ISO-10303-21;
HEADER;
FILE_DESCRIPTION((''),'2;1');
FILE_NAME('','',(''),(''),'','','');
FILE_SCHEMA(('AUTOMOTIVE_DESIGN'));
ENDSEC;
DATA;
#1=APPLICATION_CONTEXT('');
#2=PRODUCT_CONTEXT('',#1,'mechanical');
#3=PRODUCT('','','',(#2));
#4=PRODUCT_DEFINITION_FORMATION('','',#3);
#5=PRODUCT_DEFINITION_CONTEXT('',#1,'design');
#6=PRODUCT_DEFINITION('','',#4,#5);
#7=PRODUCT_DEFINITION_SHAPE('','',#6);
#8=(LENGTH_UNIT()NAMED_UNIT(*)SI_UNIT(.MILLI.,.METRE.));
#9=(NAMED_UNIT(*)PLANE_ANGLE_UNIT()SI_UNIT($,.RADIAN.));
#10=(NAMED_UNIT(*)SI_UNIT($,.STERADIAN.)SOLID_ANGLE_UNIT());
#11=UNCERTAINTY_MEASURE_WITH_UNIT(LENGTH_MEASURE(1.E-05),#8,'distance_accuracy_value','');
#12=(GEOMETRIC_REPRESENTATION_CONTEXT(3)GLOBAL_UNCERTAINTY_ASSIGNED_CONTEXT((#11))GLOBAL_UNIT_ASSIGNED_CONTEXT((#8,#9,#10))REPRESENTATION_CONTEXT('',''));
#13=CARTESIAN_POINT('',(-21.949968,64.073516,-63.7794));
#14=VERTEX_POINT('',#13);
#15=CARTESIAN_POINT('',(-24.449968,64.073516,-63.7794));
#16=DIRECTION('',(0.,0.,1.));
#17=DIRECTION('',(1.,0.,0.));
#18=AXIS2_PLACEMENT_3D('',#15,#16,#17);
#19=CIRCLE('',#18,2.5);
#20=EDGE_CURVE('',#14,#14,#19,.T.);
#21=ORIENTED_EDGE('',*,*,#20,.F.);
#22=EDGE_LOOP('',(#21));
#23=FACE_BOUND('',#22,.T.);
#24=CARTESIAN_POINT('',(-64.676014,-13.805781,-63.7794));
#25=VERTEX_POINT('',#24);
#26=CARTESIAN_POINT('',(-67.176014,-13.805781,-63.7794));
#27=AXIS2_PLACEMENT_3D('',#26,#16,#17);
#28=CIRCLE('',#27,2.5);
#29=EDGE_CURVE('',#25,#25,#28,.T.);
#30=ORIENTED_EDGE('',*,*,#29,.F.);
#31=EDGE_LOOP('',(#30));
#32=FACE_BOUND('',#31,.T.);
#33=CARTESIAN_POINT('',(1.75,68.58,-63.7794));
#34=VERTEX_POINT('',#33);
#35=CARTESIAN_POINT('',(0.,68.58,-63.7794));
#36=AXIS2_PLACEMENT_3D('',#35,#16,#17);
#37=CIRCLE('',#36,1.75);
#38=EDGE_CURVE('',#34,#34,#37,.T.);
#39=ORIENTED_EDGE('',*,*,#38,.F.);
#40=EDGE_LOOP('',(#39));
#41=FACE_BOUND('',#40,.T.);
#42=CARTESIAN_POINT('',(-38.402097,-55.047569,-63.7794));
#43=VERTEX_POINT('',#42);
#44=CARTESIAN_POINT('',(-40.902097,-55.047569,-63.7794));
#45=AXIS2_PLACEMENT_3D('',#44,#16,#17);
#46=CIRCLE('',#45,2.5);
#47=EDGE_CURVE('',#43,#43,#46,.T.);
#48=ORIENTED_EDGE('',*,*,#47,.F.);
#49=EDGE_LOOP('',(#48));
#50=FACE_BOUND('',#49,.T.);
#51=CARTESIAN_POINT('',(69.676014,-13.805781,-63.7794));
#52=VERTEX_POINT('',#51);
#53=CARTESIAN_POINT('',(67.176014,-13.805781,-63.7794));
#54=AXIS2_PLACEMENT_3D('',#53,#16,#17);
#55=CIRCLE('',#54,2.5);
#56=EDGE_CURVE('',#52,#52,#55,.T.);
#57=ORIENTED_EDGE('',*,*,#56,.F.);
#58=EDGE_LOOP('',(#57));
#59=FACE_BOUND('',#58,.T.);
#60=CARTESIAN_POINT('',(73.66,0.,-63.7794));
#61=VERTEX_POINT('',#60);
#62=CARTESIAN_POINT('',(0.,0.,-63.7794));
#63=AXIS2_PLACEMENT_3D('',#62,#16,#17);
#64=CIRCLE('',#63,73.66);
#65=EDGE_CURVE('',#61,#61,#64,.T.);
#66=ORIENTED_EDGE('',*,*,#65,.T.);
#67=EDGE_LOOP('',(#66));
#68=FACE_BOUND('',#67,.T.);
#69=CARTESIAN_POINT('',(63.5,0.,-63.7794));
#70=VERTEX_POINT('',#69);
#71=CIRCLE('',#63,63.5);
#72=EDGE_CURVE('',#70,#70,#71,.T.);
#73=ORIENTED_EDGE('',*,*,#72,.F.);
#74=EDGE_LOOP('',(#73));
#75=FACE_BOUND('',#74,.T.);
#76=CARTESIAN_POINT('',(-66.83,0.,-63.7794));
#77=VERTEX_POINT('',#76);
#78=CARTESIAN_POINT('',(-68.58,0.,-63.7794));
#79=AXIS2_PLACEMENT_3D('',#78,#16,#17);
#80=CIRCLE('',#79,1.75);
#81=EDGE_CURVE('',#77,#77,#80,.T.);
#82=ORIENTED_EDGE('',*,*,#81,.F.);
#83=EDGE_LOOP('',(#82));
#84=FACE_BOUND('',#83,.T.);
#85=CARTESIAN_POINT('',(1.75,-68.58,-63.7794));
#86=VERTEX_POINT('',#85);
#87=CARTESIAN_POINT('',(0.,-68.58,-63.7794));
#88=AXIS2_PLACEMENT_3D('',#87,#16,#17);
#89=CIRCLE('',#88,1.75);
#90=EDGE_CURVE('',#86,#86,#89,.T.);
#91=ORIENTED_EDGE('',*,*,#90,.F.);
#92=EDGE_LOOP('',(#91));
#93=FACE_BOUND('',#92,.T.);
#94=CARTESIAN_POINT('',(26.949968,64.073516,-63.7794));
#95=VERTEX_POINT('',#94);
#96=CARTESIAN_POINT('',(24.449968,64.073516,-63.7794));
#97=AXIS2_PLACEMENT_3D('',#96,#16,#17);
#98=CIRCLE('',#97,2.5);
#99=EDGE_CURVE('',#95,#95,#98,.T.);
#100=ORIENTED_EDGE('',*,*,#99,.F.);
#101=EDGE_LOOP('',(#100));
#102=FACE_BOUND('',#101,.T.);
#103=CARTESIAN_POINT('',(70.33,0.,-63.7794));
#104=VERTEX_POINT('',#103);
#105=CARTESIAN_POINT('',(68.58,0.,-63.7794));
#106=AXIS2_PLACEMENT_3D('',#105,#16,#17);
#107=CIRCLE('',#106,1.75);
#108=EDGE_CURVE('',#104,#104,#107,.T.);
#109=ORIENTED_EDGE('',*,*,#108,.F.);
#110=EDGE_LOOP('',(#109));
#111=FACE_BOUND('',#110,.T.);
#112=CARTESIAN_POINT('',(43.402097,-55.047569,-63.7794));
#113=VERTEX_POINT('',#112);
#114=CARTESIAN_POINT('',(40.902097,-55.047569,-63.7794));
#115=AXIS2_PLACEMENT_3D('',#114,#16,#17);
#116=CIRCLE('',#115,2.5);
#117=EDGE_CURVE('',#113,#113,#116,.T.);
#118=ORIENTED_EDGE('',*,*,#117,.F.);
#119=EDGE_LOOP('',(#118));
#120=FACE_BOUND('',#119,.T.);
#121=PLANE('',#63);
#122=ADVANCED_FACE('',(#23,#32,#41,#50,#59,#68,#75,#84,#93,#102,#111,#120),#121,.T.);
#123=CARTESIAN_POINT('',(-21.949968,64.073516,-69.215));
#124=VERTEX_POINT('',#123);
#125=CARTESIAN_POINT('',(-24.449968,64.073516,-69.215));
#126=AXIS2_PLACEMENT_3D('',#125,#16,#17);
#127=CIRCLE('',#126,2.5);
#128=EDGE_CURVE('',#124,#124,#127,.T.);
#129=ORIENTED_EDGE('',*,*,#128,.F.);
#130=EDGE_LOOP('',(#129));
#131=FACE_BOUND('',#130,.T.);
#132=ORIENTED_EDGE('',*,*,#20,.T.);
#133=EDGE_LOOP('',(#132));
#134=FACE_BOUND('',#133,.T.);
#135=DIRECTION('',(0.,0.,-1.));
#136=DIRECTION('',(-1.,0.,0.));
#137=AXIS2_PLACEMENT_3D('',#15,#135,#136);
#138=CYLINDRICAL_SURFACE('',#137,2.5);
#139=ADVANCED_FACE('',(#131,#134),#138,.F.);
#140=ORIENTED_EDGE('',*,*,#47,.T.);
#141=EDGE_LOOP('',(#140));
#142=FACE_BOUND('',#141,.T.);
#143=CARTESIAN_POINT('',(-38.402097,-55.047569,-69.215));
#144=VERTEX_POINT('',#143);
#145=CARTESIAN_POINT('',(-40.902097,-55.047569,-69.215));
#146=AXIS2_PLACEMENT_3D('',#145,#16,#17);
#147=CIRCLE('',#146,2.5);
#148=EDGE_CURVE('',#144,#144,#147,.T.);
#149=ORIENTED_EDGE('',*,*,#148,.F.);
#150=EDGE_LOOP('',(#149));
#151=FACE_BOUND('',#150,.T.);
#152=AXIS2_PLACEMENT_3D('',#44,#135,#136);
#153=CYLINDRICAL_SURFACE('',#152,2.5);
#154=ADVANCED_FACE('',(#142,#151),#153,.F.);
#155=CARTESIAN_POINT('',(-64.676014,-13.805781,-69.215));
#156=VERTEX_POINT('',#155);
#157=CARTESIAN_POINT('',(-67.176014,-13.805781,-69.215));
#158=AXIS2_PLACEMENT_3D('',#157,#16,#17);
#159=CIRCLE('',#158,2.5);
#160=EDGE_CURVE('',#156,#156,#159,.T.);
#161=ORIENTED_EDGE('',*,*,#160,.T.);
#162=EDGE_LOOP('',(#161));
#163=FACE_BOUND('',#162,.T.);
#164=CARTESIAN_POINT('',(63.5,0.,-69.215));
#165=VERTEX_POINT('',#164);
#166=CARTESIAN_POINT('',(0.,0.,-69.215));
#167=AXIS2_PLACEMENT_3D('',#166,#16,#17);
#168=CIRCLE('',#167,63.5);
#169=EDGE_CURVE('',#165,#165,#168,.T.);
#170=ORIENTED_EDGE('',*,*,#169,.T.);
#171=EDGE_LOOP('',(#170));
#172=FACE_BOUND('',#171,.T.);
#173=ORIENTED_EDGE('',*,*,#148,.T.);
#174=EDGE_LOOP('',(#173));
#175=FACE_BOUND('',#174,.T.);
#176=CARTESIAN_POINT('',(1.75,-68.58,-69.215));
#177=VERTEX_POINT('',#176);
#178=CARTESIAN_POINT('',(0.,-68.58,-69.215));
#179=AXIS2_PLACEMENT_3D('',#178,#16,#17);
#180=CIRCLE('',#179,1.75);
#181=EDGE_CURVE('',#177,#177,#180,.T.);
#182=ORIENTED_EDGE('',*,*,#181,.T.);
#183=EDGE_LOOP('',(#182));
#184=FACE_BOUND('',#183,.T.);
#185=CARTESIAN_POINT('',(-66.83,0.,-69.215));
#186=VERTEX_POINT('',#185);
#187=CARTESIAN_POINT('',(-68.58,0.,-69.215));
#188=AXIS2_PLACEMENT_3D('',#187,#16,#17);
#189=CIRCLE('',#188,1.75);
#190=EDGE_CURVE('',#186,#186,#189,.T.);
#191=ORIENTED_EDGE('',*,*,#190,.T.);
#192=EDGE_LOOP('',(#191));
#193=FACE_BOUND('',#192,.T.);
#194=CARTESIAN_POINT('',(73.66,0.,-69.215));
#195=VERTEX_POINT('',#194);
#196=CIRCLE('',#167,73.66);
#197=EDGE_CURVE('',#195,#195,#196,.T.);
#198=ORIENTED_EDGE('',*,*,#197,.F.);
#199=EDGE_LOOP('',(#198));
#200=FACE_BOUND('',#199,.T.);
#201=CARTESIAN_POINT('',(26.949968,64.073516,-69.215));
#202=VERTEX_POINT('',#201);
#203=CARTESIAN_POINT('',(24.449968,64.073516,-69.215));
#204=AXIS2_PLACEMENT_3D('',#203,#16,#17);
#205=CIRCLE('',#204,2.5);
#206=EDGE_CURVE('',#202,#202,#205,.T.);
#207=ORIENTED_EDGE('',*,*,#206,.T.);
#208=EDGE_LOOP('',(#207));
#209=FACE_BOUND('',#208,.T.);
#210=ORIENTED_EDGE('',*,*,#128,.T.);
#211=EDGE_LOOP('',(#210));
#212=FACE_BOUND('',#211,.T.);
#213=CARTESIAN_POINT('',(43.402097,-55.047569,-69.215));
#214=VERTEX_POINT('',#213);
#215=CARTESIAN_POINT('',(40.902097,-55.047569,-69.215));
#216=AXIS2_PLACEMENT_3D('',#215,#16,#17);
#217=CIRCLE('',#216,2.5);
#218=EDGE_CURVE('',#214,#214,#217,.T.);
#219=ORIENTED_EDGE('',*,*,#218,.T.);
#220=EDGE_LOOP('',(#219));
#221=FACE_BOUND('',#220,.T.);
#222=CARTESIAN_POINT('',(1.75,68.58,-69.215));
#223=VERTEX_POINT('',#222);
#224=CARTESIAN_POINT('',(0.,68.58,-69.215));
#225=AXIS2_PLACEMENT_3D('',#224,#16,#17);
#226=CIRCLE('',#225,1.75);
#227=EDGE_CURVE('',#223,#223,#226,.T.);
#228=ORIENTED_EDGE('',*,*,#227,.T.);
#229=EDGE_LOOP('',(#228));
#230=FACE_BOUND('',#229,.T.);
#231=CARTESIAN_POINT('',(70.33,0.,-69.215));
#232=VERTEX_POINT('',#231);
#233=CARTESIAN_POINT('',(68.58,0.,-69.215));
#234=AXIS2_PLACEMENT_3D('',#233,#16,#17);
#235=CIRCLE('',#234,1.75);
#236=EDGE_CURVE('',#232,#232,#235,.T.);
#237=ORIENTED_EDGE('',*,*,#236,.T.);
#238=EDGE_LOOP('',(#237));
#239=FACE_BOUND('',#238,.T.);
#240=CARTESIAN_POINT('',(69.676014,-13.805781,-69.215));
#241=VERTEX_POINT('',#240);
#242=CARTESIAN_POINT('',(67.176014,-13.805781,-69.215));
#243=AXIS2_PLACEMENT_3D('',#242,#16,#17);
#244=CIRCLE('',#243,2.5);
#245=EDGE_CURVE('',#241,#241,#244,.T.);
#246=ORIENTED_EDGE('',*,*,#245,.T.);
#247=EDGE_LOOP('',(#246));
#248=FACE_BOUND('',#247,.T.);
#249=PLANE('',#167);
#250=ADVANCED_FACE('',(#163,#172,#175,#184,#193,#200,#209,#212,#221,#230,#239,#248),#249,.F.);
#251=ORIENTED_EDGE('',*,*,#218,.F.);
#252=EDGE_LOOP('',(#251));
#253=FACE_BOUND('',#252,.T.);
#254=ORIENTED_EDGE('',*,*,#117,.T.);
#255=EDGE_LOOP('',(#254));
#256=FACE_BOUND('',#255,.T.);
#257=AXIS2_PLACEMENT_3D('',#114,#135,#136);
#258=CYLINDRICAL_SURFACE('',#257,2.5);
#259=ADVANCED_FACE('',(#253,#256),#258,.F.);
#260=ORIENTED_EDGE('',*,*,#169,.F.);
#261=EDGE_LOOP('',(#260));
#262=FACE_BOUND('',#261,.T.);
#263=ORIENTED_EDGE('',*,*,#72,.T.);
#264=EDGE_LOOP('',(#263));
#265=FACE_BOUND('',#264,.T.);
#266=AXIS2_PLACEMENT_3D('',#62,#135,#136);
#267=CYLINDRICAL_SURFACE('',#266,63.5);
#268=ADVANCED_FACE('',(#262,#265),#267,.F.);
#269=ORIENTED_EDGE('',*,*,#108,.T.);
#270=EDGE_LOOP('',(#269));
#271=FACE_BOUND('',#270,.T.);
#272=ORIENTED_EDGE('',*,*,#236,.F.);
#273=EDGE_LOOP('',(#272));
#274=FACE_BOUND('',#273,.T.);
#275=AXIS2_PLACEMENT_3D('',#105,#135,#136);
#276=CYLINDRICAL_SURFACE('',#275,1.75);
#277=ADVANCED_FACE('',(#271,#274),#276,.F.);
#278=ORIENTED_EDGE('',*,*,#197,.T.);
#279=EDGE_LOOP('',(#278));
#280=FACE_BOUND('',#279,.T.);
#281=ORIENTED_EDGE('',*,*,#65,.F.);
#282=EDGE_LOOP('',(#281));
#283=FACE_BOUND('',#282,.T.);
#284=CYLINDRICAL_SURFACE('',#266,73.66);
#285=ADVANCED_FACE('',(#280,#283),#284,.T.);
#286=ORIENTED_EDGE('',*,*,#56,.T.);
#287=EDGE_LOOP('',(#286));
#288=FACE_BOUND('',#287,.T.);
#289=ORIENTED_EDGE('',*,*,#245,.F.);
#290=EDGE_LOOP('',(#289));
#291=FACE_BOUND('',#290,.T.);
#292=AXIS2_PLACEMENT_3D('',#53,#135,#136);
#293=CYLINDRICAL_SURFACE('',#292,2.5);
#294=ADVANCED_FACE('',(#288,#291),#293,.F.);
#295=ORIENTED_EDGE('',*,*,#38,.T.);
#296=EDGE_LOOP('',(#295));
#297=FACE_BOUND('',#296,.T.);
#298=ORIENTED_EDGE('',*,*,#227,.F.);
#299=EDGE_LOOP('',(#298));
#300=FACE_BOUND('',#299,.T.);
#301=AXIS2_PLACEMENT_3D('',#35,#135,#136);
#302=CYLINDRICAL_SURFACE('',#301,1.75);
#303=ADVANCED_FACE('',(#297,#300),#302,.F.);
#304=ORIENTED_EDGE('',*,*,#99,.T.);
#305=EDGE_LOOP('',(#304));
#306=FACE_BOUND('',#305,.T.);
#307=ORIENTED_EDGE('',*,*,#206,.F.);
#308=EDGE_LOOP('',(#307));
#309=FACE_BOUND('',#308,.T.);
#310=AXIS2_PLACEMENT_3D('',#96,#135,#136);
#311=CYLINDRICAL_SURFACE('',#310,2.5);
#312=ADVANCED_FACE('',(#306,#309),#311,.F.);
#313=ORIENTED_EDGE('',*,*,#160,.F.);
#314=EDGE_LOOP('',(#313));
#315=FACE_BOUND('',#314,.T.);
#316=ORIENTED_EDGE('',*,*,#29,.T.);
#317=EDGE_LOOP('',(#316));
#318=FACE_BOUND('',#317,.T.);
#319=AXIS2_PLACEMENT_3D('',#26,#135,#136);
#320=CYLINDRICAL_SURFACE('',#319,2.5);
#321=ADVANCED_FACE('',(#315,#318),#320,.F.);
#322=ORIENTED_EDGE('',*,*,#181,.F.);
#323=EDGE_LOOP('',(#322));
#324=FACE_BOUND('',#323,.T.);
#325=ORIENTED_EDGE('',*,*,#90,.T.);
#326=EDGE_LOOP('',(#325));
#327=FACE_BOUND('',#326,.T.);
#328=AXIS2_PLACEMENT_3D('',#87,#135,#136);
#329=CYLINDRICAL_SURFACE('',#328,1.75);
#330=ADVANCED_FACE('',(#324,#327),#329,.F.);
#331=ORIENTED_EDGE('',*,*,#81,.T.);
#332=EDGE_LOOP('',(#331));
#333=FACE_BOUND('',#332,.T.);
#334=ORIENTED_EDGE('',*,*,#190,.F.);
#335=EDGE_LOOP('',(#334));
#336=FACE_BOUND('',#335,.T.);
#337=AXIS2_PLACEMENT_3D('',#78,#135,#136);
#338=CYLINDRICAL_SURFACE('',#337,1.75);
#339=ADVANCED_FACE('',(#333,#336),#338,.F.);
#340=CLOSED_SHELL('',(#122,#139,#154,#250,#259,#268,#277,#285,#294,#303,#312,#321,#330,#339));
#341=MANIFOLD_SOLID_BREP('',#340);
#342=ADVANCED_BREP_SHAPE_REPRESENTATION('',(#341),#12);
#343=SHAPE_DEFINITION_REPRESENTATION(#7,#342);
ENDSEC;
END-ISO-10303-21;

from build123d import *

# Parameters (mm, degrees)
SKETCH2_R           = 73.66
SKETCH2_R_2         = 63.5
SKETCH2_R_3         = 1.75
SKETCH2_R_4         = 2.5
BOSS_EXTRUDE1_DEPTH = 5.4356


with BuildPart() as part:
    # Sketch2 → Boss-Extrude1 (new body)
    with BuildSketch(Plane.XY.offset(-69.215)):
        Circle(SKETCH2_R)
        Circle(SKETCH2_R_2, mode=Mode.SUBTRACT)
        with Locations((-68.58, 0)):
            Circle(SKETCH2_R_3, mode=Mode.SUBTRACT)
        with Locations((0, 68.58)):
            Circle(SKETCH2_R_3, mode=Mode.SUBTRACT)
        with Locations((68.58, 0)):
            Circle(SKETCH2_R_3, mode=Mode.SUBTRACT)
        with Locations((0, -68.58)):
            Circle(SKETCH2_R_3, mode=Mode.SUBTRACT)
        with Locations((-24.449968278, 64.073515989)):
            Circle(SKETCH2_R_4, mode=Mode.SUBTRACT)
        with Locations((24.449968278, 64.073515989)):
            Circle(SKETCH2_R_4, mode=Mode.SUBTRACT)
        with Locations((-67.176013668, -13.80578095)):
            Circle(SKETCH2_R_4, mode=Mode.SUBTRACT)
        with Locations((-40.902096909, -55.047569142)):
            Circle(SKETCH2_R_4, mode=Mode.SUBTRACT)
        with Locations((40.902096909, -55.047569142)):
            Circle(SKETCH2_R_4, mode=Mode.SUBTRACT)
        with Locations((67.176013668, -13.80578095)):
            Circle(SKETCH2_R_4, mode=Mode.SUBTRACT)
    extrude(amount=BOSS_EXTRUDE1_DEPTH)


solid = part.part
